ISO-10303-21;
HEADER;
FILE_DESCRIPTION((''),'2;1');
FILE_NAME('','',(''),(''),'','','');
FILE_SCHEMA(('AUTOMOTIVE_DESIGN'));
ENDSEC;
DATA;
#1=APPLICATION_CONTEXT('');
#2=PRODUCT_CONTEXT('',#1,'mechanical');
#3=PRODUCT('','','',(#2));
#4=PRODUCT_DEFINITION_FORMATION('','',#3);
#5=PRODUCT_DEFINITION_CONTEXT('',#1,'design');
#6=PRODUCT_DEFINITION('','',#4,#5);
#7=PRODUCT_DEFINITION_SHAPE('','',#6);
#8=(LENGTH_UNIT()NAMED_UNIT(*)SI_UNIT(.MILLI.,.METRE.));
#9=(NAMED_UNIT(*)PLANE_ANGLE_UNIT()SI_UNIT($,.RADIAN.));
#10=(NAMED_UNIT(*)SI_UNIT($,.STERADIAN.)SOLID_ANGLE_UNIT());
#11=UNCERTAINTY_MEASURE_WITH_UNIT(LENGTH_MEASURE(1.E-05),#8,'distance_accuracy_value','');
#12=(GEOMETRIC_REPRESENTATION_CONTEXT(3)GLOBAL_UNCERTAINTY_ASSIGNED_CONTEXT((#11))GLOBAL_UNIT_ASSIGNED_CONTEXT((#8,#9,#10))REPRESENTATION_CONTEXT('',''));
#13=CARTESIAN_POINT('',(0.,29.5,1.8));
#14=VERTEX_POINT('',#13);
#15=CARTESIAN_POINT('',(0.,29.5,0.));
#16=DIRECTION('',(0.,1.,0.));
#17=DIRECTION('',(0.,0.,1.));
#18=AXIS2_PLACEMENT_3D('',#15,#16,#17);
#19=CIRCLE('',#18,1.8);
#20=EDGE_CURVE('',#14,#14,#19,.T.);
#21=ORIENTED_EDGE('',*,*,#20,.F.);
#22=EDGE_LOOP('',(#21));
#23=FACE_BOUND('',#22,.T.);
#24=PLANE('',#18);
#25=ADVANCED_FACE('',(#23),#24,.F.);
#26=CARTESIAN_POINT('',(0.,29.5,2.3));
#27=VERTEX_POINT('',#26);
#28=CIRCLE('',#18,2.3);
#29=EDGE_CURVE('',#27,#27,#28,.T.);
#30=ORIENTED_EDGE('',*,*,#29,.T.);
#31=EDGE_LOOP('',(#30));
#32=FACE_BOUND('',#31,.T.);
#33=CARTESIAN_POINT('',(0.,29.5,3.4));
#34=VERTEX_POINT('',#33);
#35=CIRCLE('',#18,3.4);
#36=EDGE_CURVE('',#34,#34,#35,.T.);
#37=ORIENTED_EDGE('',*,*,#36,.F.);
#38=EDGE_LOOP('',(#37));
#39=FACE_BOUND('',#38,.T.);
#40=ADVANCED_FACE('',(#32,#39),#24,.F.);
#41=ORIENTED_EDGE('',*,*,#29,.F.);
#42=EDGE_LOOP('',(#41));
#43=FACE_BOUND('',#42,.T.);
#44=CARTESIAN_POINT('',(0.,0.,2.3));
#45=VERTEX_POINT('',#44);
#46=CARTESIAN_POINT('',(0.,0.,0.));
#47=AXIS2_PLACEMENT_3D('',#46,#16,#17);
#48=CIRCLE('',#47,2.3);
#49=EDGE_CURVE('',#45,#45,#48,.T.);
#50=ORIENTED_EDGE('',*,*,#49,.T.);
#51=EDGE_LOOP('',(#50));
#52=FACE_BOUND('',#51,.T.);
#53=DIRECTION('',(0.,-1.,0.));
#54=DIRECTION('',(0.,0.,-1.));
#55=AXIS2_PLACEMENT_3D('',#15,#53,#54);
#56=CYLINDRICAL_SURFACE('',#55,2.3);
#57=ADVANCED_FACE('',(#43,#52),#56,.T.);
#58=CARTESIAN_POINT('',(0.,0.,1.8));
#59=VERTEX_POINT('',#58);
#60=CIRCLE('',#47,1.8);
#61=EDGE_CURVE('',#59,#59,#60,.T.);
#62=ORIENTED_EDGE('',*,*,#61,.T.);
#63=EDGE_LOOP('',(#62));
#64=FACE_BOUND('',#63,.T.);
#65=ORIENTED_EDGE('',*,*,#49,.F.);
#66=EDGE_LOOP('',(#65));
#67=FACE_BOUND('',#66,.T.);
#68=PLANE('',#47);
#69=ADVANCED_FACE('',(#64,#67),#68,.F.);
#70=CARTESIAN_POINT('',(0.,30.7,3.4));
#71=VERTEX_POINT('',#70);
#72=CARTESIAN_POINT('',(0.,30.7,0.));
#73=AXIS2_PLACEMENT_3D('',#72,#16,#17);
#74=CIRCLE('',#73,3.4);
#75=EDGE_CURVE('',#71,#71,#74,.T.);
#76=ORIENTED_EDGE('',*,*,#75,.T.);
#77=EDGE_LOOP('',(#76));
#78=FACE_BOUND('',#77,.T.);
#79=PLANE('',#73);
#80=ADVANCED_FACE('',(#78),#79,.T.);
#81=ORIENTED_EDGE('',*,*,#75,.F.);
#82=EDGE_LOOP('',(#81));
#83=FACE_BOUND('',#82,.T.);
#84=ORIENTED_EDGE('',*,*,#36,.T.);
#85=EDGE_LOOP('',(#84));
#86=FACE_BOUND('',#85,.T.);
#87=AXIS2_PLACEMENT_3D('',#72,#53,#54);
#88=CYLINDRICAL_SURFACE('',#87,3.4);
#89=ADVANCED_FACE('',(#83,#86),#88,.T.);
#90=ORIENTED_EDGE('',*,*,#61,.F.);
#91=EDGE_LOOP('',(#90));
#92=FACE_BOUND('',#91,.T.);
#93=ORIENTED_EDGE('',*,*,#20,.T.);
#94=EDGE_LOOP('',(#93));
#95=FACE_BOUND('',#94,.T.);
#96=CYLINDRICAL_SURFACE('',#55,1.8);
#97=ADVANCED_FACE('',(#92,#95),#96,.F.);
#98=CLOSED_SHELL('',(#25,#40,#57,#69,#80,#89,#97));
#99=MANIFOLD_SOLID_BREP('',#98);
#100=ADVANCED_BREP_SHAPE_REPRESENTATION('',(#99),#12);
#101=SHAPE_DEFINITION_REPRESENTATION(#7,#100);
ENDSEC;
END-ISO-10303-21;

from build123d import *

# Parameters (mm, degrees)
SKETCH1_R           = 2.3
SKETCH1_R_2         = 1.8
BOSS_EXTRUDE1_DEPTH = 29.5
SKETCH2_R           = 3.4
BOSS_EXTRUDE2_DEPTH = 1.2


with BuildPart() as part:
    # Sketch1 → Boss-Extrude1 (new body)
    with BuildSketch(Plane(origin=(0, 0, 0), x_dir=(1, 0, 0), z_dir=(0, 1, 0))):
        with Locations(Location((0, 0, 0), (0, 0, 270))):
            Circle(SKETCH1_R)
        with Locations(Location((0, 0, 0), (0, 0, 270))):
            Circle(SKETCH1_R_2, mode=Mode.SUBTRACT)
    extrude(amount=BOSS_EXTRUDE1_DEPTH)

    # Sketch2 → Boss-Extrude2 (add)
    with BuildSketch(Plane(origin=(0, 29.5, 0), x_dir=(1, 0, 0), z_dir=(0, 1, 0))):
        with Locations(Location((0, 0, 0), (0, 0, 270))):
            Circle(SKETCH2_R)
    extrude(amount=BOSS_EXTRUDE2_DEPTH)


solid = part.part
